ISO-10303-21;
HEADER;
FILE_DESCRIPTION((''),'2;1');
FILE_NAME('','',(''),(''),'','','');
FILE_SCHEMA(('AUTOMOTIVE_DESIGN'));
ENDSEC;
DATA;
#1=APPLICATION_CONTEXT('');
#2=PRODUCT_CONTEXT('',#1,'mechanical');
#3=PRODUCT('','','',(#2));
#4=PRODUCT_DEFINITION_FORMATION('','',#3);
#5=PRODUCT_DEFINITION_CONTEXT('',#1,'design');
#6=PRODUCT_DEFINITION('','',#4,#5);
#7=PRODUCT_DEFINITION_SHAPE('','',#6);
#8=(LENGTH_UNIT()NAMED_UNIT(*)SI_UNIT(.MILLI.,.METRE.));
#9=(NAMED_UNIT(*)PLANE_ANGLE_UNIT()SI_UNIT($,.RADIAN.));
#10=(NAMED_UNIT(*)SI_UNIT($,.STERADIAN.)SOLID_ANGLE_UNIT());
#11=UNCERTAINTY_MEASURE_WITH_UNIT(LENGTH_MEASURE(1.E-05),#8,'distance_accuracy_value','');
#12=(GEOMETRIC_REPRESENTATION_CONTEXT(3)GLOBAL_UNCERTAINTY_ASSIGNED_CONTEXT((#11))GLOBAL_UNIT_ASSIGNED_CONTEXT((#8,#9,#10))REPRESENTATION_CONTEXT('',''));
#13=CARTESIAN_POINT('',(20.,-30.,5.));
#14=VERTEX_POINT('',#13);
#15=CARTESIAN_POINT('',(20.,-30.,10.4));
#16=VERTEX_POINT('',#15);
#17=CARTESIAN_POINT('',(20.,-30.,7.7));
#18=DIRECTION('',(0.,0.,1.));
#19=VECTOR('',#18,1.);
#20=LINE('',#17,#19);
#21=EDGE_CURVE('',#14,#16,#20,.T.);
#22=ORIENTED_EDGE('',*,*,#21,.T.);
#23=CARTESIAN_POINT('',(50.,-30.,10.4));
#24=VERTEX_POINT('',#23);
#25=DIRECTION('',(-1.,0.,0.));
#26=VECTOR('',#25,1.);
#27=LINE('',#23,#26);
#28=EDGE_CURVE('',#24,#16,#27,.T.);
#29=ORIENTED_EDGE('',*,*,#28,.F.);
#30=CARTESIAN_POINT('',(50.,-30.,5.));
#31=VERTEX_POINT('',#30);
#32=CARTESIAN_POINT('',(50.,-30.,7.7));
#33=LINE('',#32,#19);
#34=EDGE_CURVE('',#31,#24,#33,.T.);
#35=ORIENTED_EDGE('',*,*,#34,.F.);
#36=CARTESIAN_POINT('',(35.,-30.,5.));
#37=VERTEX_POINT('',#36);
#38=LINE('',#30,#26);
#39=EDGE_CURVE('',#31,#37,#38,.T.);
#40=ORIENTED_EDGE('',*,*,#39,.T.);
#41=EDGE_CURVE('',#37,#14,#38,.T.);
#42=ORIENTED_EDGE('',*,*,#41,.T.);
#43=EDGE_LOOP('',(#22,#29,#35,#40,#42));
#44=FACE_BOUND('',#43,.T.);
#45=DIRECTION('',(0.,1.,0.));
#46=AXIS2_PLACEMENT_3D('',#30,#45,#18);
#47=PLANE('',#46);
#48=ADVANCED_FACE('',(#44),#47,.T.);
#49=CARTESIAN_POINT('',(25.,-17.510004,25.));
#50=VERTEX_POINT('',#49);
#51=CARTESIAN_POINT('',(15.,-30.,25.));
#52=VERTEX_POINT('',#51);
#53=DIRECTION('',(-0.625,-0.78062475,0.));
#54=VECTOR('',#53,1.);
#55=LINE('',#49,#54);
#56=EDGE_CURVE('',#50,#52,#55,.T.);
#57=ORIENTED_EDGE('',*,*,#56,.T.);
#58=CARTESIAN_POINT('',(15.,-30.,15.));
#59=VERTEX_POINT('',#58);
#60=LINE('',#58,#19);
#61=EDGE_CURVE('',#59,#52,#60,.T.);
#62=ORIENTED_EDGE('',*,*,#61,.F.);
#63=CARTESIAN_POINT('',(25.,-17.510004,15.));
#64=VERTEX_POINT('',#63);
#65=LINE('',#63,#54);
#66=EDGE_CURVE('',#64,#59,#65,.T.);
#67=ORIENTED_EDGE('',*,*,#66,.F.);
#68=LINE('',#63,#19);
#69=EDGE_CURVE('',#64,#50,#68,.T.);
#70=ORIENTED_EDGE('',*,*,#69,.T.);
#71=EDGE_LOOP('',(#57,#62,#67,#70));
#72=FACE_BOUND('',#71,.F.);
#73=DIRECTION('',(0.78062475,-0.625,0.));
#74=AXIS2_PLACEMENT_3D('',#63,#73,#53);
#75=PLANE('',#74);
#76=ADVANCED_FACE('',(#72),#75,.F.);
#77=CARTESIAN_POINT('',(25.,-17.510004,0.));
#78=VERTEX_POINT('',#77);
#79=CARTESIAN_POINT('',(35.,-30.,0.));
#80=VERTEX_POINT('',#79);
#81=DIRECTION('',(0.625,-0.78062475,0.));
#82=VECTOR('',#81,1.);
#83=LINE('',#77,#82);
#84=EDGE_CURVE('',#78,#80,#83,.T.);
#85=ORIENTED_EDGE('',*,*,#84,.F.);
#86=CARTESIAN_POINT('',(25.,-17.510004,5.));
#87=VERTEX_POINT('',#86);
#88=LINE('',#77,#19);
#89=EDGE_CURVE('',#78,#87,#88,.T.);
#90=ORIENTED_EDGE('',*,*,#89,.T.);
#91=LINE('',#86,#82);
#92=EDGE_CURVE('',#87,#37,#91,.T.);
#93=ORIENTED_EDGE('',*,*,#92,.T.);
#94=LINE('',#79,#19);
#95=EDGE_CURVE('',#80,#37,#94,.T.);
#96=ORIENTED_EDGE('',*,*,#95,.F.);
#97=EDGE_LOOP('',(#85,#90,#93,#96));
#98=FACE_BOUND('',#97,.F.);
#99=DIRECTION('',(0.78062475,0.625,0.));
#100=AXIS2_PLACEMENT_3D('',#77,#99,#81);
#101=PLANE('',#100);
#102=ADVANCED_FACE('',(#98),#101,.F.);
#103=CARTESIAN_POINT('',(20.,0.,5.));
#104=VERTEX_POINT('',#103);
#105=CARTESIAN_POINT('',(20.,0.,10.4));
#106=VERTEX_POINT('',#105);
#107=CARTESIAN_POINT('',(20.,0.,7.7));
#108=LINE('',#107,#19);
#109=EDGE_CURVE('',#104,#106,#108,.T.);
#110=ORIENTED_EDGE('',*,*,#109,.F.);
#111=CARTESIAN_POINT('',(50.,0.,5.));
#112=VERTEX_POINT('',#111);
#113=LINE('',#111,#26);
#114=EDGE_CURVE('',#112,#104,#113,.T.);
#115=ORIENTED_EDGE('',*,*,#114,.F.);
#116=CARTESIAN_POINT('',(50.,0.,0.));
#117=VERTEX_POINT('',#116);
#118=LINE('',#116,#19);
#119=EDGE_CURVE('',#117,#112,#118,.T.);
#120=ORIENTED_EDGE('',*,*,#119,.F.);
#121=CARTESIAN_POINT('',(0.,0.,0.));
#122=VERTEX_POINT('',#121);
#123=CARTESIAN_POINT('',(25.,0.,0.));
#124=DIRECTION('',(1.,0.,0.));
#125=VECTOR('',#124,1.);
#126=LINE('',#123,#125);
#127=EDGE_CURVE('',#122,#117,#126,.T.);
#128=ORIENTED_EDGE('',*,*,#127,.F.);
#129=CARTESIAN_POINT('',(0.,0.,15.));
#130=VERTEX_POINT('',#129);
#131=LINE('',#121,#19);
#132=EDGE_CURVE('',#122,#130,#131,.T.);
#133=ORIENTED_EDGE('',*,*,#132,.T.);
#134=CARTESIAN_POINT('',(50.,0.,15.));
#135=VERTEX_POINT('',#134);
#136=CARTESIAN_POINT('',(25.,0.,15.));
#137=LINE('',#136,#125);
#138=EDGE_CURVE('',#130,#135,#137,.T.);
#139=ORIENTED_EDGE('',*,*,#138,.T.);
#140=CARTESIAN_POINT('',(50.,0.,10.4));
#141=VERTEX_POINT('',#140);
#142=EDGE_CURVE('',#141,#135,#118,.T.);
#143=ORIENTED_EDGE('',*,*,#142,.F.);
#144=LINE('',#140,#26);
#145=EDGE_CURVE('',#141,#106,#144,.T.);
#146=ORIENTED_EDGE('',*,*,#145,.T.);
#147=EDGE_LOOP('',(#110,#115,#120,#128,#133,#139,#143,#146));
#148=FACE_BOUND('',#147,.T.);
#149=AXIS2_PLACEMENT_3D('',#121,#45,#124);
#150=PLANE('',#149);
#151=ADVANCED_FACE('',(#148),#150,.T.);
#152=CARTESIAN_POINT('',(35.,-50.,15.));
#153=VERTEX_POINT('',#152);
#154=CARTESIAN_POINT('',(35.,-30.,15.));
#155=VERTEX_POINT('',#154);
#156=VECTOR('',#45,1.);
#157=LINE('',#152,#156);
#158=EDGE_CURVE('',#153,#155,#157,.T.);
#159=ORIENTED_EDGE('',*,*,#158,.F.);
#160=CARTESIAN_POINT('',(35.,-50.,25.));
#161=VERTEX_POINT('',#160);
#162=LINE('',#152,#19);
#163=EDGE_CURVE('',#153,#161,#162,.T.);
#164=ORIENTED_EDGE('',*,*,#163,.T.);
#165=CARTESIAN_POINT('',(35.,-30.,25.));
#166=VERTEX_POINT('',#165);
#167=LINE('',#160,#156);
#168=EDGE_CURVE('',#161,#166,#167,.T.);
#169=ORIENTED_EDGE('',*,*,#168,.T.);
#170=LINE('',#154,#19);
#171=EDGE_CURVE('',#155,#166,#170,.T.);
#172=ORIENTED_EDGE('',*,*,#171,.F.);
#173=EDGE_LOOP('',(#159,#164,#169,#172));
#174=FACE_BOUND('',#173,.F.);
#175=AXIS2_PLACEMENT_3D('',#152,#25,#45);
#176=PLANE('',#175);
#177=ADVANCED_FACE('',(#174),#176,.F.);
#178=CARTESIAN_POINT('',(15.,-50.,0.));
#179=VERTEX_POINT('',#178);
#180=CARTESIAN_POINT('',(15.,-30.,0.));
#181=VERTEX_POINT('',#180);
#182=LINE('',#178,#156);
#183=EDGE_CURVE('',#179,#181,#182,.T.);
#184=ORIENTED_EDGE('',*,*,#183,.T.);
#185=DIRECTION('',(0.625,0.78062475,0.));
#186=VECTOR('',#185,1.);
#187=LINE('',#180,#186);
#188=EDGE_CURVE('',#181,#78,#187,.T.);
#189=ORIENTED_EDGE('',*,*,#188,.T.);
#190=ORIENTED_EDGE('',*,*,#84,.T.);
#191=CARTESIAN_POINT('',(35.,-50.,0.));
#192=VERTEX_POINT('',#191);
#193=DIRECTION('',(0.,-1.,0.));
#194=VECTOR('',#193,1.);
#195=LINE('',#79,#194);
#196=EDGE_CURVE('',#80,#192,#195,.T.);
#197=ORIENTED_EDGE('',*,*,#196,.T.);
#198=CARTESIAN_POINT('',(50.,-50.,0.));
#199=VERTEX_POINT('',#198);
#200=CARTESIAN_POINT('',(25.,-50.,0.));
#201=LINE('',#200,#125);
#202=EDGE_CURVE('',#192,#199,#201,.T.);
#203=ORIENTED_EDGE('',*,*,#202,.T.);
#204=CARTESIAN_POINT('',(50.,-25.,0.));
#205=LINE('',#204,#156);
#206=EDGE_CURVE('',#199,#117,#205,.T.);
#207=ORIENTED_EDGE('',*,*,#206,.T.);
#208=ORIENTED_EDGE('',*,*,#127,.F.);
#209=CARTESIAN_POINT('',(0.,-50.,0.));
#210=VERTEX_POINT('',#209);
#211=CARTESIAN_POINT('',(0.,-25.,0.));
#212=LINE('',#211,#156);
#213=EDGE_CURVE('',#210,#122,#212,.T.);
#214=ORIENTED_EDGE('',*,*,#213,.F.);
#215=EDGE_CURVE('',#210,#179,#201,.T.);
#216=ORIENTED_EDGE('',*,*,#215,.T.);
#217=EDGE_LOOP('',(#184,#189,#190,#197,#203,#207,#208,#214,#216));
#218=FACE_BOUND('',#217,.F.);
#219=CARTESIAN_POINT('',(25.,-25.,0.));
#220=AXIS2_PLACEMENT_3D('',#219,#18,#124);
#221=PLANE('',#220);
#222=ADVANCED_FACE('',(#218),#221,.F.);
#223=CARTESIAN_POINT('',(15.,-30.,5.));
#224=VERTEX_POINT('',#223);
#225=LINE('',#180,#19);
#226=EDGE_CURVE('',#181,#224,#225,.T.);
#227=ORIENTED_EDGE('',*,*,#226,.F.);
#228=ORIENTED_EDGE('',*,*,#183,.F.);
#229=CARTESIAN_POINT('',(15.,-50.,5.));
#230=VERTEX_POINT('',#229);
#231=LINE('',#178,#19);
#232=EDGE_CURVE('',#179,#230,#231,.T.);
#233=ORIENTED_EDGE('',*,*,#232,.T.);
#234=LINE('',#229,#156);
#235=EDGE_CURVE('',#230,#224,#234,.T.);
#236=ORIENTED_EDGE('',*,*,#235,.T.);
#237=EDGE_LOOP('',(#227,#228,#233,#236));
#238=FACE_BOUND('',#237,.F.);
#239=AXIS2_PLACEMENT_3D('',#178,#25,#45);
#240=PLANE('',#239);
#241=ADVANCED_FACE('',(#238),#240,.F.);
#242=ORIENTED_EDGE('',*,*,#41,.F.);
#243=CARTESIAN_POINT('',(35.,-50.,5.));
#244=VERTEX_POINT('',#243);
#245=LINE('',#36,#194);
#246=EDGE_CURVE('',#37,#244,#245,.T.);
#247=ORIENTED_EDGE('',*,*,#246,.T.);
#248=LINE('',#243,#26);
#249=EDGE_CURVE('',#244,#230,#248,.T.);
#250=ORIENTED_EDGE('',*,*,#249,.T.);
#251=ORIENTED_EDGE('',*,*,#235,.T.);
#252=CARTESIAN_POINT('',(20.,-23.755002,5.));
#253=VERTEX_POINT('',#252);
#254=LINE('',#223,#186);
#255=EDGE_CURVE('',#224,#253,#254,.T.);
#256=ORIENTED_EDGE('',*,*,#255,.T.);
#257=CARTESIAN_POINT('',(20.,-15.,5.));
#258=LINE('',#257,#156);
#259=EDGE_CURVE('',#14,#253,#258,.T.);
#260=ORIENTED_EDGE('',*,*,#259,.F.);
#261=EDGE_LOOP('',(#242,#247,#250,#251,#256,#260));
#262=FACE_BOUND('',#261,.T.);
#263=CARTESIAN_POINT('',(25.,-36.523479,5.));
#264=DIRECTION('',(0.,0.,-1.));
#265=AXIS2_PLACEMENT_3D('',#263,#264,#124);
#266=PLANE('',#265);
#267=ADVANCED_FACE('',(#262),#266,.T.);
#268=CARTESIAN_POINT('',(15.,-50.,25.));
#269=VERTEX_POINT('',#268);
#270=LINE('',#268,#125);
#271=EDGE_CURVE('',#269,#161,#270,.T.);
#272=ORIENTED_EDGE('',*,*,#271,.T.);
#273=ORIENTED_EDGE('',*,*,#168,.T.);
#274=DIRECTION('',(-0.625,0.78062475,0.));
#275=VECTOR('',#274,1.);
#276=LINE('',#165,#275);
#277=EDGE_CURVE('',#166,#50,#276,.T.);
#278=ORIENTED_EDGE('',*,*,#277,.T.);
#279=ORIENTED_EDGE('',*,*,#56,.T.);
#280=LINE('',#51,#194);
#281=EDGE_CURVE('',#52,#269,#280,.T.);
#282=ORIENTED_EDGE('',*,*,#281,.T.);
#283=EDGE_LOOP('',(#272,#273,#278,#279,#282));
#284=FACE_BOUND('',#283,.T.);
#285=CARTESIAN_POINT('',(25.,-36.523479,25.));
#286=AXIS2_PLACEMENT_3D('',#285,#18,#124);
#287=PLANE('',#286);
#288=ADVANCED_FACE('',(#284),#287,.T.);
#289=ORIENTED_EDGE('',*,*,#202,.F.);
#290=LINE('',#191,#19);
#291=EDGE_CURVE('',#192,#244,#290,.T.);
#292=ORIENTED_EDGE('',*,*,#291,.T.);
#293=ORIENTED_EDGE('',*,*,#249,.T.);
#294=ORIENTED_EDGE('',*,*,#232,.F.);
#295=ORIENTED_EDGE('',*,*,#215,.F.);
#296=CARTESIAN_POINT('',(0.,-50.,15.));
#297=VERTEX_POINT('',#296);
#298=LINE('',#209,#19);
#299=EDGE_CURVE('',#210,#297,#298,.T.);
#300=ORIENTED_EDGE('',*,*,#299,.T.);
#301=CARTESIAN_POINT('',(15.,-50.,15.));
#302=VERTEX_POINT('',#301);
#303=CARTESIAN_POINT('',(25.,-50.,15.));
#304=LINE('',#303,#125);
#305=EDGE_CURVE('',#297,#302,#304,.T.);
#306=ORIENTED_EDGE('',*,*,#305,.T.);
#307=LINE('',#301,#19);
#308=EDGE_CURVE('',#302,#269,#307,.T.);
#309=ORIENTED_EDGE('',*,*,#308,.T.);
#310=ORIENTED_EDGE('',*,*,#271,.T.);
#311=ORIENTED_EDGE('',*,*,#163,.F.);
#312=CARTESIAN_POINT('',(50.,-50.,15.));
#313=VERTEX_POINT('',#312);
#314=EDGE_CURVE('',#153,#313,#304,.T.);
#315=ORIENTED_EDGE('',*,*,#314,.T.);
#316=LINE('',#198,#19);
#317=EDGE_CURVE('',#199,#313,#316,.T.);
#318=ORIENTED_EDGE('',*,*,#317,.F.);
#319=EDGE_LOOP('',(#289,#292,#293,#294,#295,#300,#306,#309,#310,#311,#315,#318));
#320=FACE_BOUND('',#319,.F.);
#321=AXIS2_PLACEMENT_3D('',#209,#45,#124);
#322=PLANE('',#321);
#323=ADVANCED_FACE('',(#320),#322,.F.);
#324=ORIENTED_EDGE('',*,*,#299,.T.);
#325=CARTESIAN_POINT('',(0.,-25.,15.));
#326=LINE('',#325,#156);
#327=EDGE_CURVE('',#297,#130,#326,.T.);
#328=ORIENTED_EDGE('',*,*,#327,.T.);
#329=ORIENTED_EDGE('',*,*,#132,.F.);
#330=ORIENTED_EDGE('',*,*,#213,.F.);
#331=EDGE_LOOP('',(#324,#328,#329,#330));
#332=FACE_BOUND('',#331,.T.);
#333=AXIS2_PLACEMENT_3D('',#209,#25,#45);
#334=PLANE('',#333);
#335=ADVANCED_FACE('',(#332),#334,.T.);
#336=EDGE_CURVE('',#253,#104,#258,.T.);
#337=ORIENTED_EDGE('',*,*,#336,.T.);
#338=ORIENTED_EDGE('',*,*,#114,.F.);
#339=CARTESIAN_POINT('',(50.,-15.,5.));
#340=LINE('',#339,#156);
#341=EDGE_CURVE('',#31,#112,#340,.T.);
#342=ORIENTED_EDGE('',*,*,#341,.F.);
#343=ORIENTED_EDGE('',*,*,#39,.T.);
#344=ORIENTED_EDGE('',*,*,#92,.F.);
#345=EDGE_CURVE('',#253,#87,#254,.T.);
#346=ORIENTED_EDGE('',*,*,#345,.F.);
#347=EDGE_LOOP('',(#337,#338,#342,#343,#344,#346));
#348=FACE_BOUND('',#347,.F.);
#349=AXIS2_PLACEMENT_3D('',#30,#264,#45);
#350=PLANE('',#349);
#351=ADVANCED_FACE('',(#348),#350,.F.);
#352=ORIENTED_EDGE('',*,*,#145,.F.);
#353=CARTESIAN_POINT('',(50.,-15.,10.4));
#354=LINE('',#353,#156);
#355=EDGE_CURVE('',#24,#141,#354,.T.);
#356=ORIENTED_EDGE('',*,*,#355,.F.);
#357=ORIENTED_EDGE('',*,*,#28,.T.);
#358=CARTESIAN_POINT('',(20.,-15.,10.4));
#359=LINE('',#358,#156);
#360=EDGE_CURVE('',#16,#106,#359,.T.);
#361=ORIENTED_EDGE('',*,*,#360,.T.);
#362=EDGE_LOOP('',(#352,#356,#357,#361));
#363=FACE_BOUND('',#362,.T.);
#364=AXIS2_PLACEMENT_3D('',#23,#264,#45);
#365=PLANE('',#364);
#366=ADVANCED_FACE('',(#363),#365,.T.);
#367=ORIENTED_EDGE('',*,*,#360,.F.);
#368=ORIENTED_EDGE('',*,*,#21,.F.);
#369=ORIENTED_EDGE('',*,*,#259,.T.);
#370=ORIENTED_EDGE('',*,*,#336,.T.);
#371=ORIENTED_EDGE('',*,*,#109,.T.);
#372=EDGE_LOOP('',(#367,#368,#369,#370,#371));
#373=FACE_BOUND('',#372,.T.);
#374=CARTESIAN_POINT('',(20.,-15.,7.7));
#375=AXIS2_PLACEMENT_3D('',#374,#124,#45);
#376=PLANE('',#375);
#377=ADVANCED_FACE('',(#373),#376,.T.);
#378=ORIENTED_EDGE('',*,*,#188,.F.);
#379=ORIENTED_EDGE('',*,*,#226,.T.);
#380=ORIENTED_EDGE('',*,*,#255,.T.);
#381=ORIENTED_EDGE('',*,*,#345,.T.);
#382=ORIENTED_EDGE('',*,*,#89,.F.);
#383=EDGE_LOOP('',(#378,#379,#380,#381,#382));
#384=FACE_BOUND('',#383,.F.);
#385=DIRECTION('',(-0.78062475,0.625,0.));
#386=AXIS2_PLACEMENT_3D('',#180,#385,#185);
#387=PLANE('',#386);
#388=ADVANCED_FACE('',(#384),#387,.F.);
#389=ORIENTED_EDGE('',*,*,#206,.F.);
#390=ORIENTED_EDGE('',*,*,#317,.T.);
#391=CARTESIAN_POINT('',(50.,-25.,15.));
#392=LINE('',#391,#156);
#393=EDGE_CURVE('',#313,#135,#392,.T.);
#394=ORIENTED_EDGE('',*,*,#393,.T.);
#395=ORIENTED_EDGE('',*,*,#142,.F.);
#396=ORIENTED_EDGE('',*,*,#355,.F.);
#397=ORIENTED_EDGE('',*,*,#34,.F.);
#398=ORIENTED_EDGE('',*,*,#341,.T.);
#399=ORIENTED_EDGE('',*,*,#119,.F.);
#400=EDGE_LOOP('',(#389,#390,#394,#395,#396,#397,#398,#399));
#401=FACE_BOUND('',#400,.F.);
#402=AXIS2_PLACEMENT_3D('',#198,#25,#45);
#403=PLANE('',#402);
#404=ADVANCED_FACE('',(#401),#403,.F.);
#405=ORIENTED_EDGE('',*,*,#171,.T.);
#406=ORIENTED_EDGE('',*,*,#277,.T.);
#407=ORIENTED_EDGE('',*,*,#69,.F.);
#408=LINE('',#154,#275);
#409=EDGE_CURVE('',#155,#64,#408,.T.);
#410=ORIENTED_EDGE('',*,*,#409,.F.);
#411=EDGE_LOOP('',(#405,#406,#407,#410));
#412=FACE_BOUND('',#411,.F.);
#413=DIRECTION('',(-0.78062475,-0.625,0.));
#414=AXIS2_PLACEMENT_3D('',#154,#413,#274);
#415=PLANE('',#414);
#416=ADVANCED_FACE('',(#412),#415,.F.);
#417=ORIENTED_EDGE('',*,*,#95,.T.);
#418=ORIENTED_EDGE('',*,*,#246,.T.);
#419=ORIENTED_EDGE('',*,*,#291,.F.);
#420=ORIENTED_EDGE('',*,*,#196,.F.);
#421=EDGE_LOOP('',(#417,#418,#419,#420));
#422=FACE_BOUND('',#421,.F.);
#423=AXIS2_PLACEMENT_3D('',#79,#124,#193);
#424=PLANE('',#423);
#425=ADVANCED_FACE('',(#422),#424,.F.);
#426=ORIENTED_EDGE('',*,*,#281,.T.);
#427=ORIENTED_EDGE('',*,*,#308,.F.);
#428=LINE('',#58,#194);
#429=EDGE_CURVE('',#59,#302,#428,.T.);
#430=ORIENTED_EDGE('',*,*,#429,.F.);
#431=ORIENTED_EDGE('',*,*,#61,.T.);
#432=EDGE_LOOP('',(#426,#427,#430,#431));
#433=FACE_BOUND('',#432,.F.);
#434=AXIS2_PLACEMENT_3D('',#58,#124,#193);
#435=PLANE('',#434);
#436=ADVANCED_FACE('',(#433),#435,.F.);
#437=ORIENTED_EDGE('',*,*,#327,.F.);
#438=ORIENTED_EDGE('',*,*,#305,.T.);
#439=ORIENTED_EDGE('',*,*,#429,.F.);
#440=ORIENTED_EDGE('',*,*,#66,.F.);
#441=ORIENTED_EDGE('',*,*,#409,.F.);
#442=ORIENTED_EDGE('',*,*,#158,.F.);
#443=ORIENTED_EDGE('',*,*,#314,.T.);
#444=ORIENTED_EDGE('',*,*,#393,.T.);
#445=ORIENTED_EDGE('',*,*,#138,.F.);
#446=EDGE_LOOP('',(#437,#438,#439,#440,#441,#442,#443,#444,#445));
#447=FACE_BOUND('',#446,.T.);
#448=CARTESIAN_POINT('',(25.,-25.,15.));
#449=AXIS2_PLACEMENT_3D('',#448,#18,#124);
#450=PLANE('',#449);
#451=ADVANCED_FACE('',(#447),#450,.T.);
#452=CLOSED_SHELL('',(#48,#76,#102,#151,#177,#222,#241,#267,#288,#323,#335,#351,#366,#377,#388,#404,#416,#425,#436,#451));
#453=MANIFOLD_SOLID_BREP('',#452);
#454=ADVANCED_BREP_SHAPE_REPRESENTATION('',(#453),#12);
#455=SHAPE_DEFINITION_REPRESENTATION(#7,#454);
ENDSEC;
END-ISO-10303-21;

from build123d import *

# Parameters (mm, degrees)
F0_W     = 50
F0_H     = 50
F1_DEPTH = 15
F3_DEPTH = 10
F5_DEPTH = 5
F6_W     = 30
F6_H     = 5.4
F7_DEPTH = 30


with BuildPart() as f1:
    # F0 (on Top) → F1 (new body)
    with BuildSketch(Plane.XY):
        with Locations((25, -25)):
            Rectangle(F0_W, F0_H)
    extrude(amount=F1_DEPTH)

    # F2 (on face) → F3 (join)
    with BuildSketch(Plane.XY.offset(15)):
        Polygon((15, -30), (15, -50), (35, -50), (35, -30), (25, -17.510004), align=None)
    extrude(amount=F3_DEPTH)

    # F4 (on face) → F5 (cut)
    with BuildSketch(Plane(origin=(0, 0, 0), x_dir=(1, 0, 0), z_dir=(0, 0, -1))):
        Polygon((35, 50), (15, 50), (15, 30), (25, 17.510004), (35, 30), align=None)
    extrude(amount=-F5_DEPTH, mode=Mode.SUBTRACT)

    # F6 (on face) → F7 (cut)
    with BuildSketch(Plane.YZ.offset(50)):
        with Locations((-15, 7.7)):
            Rectangle(F6_W, F6_H)
    extrude(amount=-F7_DEPTH, mode=Mode.SUBTRACT)


solid = f1.part
